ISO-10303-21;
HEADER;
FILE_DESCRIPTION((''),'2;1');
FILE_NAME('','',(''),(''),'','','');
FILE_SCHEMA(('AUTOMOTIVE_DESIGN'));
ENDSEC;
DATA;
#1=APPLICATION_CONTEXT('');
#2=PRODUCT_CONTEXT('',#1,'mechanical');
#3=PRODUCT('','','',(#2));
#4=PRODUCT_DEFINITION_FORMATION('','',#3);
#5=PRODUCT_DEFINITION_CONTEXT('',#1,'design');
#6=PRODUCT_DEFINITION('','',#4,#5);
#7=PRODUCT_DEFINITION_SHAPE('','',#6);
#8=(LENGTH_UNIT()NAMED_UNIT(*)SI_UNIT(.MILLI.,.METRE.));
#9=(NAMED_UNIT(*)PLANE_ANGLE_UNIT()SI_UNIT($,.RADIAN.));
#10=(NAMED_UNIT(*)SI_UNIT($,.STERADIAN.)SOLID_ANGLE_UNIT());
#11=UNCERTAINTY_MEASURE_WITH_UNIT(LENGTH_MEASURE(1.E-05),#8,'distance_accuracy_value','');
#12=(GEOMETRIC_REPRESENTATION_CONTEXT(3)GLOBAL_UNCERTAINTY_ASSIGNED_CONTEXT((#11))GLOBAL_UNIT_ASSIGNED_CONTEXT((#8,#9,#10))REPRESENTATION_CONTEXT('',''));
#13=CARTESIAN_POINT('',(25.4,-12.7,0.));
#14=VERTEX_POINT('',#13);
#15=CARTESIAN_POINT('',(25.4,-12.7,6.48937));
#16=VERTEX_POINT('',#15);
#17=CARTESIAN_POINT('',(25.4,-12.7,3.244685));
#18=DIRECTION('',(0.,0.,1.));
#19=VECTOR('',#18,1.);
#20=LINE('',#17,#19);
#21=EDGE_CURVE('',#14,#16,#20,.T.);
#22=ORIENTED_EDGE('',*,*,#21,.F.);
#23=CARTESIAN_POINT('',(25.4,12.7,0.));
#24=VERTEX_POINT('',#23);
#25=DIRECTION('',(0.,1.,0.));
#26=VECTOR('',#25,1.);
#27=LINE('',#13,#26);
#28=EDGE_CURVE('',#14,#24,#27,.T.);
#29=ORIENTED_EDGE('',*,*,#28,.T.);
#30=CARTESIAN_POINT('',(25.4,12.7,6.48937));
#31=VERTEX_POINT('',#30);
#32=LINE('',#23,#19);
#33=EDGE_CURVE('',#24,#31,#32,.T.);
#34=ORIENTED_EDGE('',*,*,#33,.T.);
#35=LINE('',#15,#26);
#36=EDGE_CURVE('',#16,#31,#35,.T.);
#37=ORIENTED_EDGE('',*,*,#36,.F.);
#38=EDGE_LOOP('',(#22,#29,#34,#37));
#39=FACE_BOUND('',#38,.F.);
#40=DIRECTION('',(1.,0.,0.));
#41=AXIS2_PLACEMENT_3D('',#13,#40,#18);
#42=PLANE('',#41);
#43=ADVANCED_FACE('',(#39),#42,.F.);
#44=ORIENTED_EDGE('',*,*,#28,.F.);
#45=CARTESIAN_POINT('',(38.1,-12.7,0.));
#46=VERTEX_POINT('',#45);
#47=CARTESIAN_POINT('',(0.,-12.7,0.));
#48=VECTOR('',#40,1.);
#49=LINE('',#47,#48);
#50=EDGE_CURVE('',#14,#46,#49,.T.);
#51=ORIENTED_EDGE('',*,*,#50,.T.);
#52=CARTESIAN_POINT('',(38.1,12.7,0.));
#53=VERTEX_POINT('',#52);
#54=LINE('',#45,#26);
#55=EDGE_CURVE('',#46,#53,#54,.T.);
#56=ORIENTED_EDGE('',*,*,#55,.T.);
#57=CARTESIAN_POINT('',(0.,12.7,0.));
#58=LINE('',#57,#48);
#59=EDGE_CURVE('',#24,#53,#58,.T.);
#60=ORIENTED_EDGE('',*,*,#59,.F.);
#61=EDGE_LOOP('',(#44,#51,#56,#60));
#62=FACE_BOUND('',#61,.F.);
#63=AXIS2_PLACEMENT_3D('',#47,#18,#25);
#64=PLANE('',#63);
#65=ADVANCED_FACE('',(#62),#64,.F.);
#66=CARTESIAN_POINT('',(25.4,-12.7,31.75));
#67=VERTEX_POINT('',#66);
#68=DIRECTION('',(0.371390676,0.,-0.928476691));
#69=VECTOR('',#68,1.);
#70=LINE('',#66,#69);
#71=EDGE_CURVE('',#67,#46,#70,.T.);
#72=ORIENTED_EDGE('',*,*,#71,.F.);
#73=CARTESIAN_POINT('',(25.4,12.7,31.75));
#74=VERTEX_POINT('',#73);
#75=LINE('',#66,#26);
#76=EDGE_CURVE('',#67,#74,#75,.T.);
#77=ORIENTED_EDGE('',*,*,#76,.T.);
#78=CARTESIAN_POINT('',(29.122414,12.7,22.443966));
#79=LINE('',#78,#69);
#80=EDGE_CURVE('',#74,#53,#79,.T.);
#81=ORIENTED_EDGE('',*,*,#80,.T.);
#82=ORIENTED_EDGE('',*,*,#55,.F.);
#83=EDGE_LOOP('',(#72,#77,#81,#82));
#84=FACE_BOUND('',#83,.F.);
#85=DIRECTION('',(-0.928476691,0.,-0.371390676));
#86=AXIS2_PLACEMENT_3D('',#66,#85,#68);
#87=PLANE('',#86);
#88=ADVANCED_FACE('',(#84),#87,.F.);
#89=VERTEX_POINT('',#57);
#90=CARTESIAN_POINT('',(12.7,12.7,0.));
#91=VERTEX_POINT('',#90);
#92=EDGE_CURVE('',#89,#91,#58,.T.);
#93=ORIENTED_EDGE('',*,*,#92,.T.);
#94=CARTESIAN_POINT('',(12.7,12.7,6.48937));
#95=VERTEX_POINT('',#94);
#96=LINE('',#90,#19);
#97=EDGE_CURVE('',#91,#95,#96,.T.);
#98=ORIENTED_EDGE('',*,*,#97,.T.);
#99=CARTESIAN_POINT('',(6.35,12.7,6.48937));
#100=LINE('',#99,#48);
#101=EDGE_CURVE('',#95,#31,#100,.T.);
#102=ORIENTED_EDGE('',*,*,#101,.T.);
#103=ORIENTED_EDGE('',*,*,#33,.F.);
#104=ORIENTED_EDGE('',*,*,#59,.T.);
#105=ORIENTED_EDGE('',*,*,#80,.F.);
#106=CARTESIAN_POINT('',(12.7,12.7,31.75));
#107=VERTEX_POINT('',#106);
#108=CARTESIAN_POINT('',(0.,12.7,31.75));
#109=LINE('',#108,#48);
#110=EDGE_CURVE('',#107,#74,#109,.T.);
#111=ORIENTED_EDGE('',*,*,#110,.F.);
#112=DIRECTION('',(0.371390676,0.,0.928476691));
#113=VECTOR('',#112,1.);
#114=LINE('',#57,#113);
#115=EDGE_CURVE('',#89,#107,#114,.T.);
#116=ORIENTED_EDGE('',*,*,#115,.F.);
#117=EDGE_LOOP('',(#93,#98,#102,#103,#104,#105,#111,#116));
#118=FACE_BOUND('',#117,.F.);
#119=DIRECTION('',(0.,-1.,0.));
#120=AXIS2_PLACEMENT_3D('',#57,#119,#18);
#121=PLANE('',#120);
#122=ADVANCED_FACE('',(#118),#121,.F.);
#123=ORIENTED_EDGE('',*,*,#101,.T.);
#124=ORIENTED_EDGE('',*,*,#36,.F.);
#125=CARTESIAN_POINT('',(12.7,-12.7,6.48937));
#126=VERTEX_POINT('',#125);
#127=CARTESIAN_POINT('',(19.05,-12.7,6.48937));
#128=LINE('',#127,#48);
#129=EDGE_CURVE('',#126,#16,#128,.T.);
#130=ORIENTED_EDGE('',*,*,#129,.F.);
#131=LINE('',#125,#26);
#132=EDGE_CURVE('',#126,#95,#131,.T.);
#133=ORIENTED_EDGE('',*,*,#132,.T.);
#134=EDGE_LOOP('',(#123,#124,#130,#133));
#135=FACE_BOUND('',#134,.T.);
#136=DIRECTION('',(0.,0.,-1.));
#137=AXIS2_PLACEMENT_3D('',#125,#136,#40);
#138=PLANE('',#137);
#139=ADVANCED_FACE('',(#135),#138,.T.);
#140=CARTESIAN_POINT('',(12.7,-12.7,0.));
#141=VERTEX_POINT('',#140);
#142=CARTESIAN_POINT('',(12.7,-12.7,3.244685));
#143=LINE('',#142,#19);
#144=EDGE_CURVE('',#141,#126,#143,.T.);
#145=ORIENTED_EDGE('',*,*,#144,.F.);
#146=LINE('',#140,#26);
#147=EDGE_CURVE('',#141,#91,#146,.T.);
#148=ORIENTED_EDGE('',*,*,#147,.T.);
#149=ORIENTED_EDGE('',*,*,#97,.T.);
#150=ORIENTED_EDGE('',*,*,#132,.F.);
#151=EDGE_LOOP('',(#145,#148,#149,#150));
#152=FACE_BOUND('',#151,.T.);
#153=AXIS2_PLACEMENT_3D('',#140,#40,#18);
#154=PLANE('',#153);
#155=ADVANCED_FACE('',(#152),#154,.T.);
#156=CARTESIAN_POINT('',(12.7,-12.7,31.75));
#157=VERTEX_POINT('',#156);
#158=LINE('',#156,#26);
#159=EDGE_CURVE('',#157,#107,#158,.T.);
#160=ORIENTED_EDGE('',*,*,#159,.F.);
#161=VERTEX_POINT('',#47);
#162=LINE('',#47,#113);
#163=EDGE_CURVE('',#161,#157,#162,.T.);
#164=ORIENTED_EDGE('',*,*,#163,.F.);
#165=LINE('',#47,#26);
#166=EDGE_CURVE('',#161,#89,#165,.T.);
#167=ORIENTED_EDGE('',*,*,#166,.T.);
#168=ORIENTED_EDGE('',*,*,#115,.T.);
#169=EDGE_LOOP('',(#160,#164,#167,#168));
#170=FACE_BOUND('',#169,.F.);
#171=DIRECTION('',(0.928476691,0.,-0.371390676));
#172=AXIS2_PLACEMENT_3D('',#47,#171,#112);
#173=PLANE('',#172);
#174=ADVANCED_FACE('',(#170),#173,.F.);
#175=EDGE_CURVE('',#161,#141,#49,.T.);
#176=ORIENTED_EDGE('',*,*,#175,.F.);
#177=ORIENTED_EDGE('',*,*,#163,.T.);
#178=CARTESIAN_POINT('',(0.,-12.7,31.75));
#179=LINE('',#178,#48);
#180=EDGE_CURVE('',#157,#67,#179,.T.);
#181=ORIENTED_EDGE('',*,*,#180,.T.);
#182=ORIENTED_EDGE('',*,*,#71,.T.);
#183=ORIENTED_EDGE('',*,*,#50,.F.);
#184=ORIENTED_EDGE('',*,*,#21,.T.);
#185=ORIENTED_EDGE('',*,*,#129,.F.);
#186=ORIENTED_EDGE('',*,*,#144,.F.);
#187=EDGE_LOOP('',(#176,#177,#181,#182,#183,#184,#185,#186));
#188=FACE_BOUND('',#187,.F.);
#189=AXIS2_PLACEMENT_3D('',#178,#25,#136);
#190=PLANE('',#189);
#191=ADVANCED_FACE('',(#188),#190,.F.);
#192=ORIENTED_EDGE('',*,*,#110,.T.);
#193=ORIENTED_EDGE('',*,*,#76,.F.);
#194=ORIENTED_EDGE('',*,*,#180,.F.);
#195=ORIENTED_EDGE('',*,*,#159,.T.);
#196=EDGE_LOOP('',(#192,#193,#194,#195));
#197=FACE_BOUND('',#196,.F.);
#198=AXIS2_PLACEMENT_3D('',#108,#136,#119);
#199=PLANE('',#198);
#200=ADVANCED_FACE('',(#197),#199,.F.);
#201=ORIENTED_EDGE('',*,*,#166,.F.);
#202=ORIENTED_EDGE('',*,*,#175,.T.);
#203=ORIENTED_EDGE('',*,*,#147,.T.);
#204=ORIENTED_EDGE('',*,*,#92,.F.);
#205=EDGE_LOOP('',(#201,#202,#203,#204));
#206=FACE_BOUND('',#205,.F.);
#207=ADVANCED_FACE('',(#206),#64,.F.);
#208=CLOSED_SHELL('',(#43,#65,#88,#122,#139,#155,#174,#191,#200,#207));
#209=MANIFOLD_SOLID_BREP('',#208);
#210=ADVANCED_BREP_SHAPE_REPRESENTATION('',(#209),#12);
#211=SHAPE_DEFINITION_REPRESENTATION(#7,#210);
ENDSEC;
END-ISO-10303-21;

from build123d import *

# Parameters (mm, degrees)
F1_DEPTH = 38.1
F3_DEPTH = 25.401
F4_W     = 12.7
F4_H     = 6.48937
F5_DEPTH = 25.401


with BuildPart() as f1:
    # F0 (on Right) → F1 (new body)
    with BuildSketch(Plane.YZ):
        Polygon((-12.7, 31.75), (-12.7, 0), (0, 0), (12.7, 0), (12.7, 31.75), align=None)
    extrude(amount=F1_DEPTH)

    # F2 (on face) → F3 (cut, through all)
    with BuildSketch(Plane.XZ.offset(12.7)):
        Polygon((0, 31.75), (0, 0), (12.7, 31.75), align=None)
        Polygon((25.4, 31.75), (38.1, 0), (38.1, 31.75), align=None)
    extrude(amount=-F3_DEPTH, mode=Mode.SUBTRACT)

    # F4 (on face) → F5 (cut, through all)
    with BuildSketch(Plane.XZ.offset(12.7)):
        with Locations((19.05, 3.244685)):
            Rectangle(F4_W, F4_H)
    extrude(amount=-F5_DEPTH, mode=Mode.SUBTRACT)


solid = f1.part
